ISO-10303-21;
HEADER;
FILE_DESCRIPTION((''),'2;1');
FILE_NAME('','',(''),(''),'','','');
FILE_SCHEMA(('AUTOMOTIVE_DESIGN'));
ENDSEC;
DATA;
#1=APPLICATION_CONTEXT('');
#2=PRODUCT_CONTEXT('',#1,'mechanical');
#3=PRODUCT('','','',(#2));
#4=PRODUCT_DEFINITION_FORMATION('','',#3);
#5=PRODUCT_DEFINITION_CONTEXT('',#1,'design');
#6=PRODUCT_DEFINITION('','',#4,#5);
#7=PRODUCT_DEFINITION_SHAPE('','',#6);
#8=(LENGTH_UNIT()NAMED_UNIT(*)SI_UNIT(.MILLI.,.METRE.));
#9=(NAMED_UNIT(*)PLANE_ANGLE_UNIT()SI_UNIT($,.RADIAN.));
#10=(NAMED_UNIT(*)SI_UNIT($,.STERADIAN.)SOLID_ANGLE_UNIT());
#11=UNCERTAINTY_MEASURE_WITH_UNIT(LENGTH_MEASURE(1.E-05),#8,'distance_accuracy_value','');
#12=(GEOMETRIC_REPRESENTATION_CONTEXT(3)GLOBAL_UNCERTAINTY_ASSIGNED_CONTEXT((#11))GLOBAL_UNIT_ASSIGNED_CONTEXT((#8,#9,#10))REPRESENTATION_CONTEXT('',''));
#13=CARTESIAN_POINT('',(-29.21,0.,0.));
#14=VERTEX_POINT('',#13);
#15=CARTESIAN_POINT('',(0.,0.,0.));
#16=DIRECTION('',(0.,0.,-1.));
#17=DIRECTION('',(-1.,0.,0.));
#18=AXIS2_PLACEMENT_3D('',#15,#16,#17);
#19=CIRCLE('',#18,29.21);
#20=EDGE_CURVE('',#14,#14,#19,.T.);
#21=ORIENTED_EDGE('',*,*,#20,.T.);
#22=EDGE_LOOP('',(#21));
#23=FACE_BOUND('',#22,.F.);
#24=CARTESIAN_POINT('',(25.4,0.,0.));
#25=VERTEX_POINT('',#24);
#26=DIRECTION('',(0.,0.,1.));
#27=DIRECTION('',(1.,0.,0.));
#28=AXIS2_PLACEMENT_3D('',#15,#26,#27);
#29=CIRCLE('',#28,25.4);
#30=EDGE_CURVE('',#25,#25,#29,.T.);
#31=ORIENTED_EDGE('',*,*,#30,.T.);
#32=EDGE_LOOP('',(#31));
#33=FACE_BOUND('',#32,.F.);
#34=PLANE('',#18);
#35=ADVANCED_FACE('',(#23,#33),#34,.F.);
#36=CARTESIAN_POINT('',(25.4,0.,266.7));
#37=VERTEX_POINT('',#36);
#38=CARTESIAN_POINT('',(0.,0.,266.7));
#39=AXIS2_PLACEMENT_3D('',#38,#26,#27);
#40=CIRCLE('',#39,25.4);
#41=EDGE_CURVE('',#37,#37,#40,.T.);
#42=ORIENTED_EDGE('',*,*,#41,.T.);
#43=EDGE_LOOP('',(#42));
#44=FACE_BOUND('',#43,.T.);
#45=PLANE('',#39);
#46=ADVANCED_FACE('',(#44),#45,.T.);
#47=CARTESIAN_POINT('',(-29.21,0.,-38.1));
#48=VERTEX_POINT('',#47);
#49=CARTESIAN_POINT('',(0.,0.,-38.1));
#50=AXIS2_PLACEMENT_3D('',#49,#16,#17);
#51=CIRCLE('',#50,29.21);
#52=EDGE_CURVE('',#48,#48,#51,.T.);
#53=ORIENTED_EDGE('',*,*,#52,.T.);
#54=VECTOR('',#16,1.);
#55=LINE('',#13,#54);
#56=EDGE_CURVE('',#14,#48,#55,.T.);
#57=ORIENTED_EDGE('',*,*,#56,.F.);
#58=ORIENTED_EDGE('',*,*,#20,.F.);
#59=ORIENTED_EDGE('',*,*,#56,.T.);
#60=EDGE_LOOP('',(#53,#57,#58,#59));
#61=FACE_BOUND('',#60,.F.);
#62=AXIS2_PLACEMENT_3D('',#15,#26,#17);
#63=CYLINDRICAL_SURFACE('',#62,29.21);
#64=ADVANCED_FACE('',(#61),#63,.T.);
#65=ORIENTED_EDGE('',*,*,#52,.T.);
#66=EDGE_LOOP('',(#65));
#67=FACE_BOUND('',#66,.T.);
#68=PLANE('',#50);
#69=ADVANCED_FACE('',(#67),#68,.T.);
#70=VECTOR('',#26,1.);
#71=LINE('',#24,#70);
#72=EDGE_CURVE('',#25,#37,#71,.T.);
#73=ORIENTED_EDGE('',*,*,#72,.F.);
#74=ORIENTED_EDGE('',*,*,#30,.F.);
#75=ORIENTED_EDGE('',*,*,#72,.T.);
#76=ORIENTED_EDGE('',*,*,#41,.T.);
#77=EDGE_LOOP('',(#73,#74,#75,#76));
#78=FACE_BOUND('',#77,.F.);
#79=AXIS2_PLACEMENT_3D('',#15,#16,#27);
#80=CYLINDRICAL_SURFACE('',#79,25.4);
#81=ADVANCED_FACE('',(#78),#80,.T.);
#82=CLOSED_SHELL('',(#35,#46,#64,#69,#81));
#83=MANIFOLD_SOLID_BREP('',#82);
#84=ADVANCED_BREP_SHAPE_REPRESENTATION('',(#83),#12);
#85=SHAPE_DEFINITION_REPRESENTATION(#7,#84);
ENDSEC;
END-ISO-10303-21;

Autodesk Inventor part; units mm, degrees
ref_plane "YZ Plane" through (0, 0, 0) normal (1, 0, 0) x (0, 1, 0)
ref_plane "XZ Plane" through (0, 0, 0) normal (0, 1, 0) x (-1, 0, 0)
ref_plane "XY Plane" through (0, 0, 0) normal (0, 0, 1) x (1, 0, 0)
sketch "Sketch1" plane through (0, 0, 0) normal (0, 0, 1) x (1, 0, 0)
  circle A0 centre (0, 0) radius 25.4
  dimension "d0" = 50.8
extrude "Extrusion1" add sketch "Sketch1" along normal blind 266.7
sketch "Sketch2" plane through (0, 0, 0) normal (0, 0, -1) x (-1, 0, 0)
  circle A0 centre (0, 0) radius 29.21
  dimension "d3" = 58.42
extrude "Extrusion2" add sketch "Sketch2" along normal blind 38.1
ref_plane "Rough CG" through (0, 0, 114.3) normal (0, 0, -1) x (-1, 0, 0)
properties part number "Dummy Payload Rough Model (for reference)"
